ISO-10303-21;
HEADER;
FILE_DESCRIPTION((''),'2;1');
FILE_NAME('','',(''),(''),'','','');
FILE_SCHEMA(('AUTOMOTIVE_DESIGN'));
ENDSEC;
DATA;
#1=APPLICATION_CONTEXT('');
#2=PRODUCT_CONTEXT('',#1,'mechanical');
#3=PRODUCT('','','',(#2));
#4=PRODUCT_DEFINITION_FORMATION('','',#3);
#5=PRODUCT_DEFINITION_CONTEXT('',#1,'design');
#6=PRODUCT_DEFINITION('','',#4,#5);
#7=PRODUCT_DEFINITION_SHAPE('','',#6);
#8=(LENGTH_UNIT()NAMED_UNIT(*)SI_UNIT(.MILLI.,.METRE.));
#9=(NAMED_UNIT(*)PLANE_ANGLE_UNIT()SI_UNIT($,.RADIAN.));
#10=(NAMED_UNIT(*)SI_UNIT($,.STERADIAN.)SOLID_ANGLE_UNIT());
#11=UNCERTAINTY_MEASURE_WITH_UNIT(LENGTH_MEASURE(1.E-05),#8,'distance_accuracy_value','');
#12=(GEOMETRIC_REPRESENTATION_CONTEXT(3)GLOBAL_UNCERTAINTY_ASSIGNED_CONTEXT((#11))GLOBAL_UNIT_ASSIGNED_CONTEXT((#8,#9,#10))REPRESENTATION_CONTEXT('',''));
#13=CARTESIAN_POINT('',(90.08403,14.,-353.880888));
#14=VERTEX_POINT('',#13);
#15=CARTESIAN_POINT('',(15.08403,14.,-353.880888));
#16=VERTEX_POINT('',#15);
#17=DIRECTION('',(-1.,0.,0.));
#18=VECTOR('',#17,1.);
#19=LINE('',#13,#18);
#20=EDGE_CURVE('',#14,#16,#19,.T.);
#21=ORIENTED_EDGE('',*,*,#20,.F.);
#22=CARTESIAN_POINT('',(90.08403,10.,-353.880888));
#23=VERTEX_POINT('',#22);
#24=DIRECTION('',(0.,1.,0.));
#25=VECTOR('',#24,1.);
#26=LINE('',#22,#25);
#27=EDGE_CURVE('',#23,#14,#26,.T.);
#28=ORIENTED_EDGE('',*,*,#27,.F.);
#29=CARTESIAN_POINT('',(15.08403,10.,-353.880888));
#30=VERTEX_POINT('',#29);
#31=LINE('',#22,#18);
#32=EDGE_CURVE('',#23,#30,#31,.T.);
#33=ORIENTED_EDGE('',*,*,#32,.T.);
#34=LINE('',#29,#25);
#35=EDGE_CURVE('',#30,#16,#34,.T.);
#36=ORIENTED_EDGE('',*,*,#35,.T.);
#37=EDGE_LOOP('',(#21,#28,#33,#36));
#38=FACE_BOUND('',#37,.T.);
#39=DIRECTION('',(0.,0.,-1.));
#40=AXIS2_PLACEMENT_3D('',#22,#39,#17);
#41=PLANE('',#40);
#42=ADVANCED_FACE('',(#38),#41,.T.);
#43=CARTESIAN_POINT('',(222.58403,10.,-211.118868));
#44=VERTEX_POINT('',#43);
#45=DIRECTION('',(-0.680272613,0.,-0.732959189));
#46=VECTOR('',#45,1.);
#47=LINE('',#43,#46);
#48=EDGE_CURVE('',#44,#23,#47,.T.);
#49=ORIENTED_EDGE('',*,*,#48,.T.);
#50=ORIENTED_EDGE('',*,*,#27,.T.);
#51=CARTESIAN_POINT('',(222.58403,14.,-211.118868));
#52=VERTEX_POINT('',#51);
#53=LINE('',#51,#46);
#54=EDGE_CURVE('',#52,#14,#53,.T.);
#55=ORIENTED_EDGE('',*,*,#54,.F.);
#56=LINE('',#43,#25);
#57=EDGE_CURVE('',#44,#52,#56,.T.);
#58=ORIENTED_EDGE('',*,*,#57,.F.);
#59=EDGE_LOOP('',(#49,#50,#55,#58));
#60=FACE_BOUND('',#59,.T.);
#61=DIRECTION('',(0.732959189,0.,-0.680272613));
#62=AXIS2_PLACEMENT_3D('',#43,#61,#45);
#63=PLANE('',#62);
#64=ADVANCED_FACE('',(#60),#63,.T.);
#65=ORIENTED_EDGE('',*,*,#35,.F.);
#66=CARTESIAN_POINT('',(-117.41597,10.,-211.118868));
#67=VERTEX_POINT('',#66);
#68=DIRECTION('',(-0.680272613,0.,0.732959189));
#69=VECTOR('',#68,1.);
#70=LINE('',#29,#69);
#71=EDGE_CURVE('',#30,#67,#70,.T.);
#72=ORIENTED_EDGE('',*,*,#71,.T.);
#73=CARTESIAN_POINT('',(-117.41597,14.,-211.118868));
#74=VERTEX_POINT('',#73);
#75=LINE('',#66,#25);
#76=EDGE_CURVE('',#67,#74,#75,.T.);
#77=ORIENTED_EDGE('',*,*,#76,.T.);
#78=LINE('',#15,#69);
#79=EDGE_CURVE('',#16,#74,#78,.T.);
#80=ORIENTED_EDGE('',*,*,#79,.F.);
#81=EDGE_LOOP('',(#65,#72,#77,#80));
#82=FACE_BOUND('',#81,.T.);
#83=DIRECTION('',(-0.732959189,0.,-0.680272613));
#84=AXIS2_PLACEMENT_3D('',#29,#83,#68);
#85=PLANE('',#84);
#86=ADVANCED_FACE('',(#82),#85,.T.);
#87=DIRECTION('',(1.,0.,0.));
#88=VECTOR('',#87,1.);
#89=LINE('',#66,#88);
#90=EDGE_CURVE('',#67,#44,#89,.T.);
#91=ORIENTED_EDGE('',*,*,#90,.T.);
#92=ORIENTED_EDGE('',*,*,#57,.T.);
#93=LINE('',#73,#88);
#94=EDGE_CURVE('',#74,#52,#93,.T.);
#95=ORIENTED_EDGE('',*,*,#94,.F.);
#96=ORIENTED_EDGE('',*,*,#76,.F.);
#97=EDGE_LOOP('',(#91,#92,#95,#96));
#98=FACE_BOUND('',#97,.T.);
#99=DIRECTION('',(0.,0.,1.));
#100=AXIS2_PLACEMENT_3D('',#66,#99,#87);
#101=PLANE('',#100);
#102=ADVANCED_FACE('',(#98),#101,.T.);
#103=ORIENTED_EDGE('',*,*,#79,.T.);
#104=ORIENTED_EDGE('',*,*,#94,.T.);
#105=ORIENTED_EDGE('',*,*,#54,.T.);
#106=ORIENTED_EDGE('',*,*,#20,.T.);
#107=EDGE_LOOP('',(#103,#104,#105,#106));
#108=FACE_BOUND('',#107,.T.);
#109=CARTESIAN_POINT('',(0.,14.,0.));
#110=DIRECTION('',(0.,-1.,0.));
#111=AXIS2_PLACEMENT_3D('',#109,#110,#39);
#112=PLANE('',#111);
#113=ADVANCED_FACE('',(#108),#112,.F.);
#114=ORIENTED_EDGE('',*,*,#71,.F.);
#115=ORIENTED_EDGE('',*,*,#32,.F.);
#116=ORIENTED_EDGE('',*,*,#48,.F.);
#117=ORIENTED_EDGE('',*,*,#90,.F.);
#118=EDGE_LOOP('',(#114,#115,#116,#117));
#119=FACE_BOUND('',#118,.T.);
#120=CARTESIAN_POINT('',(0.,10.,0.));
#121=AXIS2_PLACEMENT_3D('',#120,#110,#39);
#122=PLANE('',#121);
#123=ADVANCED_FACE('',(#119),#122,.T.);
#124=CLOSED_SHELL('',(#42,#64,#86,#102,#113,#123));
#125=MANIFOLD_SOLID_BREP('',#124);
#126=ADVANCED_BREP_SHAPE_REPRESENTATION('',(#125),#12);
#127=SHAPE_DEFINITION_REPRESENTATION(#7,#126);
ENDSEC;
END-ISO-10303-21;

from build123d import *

# Parameters (mm, degrees)
EXTRUDE_1_DEPTH = 4


with BuildPart() as part:
    # Sketch 1 → Бобышка-Вытянуть1 (new body)
    with BuildSketch(Plane(origin=(-117.415970164, 10, -211.118867865), x_dir=(1, 0, 0), z_dir=(0, 1, 0))):
        Polygon((0, 0), (340, 0), (207.5, 142.762020328), (132.5, 142.762020328), align=None)
    extrude(amount=EXTRUDE_1_DEPTH)


solid = part.part
